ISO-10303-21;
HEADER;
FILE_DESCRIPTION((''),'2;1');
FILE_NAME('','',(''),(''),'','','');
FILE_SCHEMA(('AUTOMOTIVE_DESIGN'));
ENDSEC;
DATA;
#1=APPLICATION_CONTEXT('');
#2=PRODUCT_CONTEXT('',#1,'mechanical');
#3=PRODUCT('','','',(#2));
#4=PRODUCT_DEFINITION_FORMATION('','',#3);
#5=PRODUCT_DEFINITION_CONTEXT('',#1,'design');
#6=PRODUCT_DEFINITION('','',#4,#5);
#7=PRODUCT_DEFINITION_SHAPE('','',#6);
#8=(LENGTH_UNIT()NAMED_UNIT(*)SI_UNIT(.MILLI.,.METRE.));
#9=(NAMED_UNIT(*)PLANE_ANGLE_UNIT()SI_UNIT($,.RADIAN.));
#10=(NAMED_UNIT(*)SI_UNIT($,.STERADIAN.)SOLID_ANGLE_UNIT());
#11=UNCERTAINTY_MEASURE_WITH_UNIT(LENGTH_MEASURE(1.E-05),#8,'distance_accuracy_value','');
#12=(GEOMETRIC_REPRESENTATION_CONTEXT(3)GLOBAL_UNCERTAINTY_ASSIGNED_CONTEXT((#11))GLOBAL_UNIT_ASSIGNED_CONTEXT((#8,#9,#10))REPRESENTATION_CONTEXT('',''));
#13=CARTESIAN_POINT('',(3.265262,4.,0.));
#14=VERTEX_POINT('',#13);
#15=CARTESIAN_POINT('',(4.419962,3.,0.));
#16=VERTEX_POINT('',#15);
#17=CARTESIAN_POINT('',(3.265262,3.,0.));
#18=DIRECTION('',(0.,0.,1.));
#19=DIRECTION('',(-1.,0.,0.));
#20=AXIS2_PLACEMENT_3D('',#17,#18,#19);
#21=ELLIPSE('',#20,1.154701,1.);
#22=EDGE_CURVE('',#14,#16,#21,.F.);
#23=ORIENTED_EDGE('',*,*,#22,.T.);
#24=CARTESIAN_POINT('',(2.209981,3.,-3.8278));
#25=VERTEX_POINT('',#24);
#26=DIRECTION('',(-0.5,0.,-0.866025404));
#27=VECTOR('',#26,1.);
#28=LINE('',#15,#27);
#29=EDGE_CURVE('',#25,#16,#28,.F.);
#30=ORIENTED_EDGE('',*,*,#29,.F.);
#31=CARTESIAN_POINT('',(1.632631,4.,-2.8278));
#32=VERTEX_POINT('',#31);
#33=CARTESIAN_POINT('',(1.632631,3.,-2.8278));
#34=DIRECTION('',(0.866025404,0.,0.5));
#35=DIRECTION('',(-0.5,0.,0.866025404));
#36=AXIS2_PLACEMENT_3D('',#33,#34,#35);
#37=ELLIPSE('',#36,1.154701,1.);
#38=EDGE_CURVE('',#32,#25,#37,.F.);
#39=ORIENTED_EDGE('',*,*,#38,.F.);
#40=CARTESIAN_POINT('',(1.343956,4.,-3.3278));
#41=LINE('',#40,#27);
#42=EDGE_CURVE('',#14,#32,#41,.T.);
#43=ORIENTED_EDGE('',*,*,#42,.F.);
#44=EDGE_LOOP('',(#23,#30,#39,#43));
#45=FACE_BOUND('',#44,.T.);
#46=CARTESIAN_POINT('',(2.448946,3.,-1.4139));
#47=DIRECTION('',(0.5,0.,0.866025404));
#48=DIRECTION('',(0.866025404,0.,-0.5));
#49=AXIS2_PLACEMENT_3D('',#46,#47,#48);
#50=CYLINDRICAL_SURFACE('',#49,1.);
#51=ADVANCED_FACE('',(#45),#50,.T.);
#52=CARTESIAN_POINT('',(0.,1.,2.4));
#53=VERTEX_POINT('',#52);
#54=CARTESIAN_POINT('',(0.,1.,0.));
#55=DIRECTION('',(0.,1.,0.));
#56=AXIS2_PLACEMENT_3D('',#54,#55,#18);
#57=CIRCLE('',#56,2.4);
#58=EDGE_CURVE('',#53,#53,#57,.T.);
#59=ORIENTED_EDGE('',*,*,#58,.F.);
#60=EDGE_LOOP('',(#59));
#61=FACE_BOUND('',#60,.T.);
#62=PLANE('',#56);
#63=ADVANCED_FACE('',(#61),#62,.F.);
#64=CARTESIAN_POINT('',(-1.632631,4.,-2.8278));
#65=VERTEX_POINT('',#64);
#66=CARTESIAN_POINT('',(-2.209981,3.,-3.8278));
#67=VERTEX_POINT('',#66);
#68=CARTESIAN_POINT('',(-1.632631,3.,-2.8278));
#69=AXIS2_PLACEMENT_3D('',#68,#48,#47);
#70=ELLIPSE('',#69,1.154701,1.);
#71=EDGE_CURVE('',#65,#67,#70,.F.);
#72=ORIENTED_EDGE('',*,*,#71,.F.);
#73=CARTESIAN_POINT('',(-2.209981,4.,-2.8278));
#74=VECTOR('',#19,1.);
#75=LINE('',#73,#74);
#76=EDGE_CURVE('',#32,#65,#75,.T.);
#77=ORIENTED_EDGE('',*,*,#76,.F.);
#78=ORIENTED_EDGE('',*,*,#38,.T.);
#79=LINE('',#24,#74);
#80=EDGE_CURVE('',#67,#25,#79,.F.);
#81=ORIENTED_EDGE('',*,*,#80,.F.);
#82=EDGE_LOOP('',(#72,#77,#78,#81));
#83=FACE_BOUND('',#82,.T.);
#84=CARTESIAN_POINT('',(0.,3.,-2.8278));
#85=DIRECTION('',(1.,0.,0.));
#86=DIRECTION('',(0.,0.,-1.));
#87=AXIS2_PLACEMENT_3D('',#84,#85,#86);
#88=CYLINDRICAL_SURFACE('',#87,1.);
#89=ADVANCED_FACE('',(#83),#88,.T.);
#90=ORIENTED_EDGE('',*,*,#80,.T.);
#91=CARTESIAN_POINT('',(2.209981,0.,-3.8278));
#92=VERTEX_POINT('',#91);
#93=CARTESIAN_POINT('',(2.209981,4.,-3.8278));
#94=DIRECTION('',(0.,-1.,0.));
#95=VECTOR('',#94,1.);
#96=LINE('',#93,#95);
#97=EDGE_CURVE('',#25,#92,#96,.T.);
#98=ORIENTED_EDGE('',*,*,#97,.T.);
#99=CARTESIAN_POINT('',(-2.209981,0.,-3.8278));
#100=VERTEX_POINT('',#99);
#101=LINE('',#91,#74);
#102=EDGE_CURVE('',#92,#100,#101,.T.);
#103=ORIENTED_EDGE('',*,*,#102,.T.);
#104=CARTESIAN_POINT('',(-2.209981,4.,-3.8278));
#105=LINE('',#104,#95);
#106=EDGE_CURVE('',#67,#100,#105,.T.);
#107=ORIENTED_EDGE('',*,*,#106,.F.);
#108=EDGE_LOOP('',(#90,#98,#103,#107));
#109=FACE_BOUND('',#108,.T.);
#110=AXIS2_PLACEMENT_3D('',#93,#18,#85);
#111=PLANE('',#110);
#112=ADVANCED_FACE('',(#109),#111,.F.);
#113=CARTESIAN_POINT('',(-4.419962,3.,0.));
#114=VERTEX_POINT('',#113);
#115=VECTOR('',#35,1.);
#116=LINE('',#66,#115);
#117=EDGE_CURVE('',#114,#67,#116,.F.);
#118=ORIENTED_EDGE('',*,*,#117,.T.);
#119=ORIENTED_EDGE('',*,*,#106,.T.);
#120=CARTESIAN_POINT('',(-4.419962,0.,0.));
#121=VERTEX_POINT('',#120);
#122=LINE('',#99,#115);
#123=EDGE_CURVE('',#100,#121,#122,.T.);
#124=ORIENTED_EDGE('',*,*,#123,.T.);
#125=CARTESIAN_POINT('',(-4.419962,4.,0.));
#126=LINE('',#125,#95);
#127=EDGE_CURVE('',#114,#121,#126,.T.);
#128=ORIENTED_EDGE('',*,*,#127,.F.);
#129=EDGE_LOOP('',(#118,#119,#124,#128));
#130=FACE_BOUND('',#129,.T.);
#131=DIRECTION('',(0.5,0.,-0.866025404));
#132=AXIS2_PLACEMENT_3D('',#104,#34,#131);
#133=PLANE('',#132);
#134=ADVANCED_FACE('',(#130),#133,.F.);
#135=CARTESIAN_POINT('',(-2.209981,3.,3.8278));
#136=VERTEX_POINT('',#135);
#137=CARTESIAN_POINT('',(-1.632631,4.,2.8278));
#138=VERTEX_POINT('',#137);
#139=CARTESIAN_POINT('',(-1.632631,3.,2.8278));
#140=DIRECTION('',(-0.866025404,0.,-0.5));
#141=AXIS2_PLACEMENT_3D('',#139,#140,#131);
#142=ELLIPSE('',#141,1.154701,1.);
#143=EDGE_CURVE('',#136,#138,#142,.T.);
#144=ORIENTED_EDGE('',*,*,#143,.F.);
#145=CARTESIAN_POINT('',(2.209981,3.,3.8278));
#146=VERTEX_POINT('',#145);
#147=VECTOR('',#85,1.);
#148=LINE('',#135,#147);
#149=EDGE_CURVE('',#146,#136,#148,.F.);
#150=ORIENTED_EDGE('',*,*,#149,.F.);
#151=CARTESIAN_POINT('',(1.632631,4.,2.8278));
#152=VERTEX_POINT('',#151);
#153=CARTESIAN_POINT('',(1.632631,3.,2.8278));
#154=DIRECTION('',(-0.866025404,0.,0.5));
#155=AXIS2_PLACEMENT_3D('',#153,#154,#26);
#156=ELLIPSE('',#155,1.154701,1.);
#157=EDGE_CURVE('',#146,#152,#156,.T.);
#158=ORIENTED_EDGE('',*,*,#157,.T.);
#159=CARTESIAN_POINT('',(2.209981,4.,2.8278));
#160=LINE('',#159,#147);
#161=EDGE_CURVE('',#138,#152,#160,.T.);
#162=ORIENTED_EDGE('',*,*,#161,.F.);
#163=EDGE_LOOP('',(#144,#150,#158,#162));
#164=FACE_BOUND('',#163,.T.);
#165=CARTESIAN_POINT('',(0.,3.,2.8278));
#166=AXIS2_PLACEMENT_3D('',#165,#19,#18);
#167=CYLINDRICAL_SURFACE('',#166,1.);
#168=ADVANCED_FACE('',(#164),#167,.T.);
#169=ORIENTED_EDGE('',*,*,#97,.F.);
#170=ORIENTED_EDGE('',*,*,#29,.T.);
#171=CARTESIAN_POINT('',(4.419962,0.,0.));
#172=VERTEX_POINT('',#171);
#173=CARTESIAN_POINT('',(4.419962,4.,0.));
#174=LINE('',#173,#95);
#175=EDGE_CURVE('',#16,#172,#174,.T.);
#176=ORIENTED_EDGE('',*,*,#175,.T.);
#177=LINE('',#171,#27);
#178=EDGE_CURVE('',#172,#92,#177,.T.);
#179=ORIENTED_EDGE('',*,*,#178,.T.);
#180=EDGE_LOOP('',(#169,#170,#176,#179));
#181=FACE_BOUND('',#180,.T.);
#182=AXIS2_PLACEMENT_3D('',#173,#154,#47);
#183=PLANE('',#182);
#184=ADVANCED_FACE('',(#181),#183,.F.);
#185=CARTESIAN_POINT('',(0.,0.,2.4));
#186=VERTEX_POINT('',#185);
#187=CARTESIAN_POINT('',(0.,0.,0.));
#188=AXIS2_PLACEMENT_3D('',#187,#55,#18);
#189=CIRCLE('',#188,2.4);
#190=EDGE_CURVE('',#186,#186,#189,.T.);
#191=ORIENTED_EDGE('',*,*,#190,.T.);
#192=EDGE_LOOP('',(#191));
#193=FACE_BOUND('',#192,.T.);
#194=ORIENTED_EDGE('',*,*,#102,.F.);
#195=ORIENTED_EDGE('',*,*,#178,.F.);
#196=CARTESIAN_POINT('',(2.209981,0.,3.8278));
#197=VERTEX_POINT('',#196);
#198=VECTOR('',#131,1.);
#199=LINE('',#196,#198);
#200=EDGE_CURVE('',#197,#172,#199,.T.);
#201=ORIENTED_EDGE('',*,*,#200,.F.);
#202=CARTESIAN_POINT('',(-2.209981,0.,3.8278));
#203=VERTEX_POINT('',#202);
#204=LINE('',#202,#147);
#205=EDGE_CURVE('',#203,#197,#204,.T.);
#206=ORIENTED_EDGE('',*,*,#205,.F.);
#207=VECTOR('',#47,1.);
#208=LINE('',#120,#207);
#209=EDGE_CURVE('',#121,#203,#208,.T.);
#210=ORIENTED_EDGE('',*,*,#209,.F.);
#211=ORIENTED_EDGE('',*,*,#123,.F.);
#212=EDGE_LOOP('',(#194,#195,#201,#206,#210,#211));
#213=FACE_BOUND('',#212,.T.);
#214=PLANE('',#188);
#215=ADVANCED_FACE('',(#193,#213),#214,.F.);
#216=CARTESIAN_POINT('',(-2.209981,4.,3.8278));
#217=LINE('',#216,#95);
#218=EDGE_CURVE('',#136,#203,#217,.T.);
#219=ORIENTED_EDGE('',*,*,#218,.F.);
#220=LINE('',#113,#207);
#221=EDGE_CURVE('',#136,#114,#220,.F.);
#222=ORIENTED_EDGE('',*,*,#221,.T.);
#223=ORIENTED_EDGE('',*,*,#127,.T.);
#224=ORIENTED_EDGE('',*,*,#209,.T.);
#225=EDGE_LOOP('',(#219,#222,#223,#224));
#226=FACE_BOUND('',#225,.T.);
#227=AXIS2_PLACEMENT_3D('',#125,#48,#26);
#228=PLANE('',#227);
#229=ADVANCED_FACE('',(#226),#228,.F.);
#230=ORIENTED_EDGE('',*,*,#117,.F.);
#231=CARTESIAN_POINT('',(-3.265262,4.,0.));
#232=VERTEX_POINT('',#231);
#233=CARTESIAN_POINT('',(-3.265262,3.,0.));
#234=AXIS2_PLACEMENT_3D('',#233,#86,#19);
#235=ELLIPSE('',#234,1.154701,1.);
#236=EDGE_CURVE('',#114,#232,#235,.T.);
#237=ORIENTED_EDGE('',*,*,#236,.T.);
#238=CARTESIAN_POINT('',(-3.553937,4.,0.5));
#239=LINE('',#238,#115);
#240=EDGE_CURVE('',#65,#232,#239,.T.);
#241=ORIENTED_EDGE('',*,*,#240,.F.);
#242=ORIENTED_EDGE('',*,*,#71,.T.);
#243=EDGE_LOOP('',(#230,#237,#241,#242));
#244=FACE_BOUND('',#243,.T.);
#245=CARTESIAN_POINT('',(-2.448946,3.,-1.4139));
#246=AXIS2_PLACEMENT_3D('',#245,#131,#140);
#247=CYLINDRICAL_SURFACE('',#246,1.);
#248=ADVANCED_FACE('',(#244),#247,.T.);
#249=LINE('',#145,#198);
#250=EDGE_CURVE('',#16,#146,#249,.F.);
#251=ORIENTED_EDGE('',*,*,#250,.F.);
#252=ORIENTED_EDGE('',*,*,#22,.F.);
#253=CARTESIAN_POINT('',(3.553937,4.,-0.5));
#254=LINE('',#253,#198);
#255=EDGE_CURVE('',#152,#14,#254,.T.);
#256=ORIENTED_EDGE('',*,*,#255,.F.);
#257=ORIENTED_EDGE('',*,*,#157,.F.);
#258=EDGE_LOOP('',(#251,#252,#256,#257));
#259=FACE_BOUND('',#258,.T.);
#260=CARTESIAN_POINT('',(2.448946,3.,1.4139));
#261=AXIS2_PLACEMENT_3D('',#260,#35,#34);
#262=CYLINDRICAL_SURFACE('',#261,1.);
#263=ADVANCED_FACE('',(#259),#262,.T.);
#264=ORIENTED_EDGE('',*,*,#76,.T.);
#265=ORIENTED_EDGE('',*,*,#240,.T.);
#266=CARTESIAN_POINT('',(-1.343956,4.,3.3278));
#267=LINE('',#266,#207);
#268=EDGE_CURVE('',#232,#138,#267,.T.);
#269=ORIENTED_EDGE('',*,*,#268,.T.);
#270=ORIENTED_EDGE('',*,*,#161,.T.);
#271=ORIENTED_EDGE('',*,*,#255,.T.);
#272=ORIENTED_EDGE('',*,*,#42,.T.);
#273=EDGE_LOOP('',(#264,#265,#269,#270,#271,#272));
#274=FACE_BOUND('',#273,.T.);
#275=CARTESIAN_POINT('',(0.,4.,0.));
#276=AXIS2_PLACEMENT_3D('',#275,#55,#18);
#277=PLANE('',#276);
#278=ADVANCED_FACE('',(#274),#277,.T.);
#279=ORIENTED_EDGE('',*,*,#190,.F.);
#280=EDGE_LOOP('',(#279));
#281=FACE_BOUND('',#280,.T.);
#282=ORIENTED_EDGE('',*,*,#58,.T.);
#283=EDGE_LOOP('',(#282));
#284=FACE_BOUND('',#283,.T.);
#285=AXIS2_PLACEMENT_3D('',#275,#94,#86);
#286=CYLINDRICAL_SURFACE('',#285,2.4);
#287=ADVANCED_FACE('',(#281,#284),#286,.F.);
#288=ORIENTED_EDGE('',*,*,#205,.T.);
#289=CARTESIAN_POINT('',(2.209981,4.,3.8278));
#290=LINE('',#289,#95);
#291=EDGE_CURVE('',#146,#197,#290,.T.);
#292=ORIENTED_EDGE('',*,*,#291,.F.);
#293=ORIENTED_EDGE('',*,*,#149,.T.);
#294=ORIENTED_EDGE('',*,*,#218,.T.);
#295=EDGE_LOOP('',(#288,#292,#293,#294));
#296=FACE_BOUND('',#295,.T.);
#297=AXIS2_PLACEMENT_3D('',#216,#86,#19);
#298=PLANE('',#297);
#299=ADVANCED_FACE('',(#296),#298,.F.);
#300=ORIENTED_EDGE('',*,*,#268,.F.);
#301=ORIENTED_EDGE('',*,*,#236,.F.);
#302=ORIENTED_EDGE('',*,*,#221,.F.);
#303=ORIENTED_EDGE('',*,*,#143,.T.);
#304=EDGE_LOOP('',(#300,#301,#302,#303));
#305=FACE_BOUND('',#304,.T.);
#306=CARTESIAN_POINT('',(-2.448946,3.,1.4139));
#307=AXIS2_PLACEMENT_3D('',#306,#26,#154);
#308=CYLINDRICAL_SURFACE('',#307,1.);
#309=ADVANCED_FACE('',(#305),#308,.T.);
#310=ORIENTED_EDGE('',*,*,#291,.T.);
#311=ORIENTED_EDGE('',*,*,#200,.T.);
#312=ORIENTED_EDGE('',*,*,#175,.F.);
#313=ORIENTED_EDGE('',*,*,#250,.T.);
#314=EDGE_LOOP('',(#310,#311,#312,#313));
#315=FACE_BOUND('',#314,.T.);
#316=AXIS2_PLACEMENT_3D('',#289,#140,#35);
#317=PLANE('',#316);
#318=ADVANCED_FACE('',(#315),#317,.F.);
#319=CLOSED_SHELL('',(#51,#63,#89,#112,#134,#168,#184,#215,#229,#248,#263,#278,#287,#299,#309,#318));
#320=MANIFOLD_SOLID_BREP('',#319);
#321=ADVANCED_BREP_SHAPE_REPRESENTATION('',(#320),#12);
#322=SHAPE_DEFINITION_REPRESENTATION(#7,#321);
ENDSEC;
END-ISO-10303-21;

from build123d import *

# Parameters (mm, degrees)
SKETCH1_R           = 2.4
BOSS_EXTRUDE1_DEPTH = 4
FILLET1_R           = 1
BOSS_EXTRUDE4_START = -3
SKETCH2_R           = 2.4
BOSS_EXTRUDE4_DEPTH = 3


with BuildPart() as part:
    # Sketch1 → Boss-Extrude1 (new body)
    with BuildSketch(Plane(origin=(0, 0, 0), x_dir=(1, 0, 0), z_dir=(0, 1, 0))):
        Polygon((-4.419962439, 0), (-2.20998122, -3.827799756), (2.20998122, -3.827799756), (4.419962439, 0), (2.20998122, 3.827799756), (-2.20998122, 3.827799756), align=None)
        with Locations(Location((0, 0, 0), (0, 0, 270))):
            Circle(SKETCH1_R, mode=Mode.SUBTRACT)
    extrude(amount=BOSS_EXTRUDE1_DEPTH)

    # Fillet1
    fillet1_edges = [part.edges().sort_by_distance(p)[0] for p in [
        (0, 4, 3.827799756),
        (3.31497183, 4, 1.913899878),
        (3.31497183, 4, -1.913899878),
        (0, 4, -3.827799756),
        (-3.31497183, 4, -1.913899878),
        (-3.31497183, 4, 1.913899878),
    ]]
    fillet(fillet1_edges, radius=FILLET1_R)

    # Sketch2 → Boss-Extrude4 (add)
    with BuildSketch(Plane(origin=(0, 4, 0), x_dir=(1, 0, 0), z_dir=(0, 1, 0)).offset(BOSS_EXTRUDE4_START)):
        with Locations(Location((0, 0, 0), (0, 0, 270))):
            Circle(SKETCH2_R)
    extrude(amount=BOSS_EXTRUDE4_DEPTH)


solid = part.part
